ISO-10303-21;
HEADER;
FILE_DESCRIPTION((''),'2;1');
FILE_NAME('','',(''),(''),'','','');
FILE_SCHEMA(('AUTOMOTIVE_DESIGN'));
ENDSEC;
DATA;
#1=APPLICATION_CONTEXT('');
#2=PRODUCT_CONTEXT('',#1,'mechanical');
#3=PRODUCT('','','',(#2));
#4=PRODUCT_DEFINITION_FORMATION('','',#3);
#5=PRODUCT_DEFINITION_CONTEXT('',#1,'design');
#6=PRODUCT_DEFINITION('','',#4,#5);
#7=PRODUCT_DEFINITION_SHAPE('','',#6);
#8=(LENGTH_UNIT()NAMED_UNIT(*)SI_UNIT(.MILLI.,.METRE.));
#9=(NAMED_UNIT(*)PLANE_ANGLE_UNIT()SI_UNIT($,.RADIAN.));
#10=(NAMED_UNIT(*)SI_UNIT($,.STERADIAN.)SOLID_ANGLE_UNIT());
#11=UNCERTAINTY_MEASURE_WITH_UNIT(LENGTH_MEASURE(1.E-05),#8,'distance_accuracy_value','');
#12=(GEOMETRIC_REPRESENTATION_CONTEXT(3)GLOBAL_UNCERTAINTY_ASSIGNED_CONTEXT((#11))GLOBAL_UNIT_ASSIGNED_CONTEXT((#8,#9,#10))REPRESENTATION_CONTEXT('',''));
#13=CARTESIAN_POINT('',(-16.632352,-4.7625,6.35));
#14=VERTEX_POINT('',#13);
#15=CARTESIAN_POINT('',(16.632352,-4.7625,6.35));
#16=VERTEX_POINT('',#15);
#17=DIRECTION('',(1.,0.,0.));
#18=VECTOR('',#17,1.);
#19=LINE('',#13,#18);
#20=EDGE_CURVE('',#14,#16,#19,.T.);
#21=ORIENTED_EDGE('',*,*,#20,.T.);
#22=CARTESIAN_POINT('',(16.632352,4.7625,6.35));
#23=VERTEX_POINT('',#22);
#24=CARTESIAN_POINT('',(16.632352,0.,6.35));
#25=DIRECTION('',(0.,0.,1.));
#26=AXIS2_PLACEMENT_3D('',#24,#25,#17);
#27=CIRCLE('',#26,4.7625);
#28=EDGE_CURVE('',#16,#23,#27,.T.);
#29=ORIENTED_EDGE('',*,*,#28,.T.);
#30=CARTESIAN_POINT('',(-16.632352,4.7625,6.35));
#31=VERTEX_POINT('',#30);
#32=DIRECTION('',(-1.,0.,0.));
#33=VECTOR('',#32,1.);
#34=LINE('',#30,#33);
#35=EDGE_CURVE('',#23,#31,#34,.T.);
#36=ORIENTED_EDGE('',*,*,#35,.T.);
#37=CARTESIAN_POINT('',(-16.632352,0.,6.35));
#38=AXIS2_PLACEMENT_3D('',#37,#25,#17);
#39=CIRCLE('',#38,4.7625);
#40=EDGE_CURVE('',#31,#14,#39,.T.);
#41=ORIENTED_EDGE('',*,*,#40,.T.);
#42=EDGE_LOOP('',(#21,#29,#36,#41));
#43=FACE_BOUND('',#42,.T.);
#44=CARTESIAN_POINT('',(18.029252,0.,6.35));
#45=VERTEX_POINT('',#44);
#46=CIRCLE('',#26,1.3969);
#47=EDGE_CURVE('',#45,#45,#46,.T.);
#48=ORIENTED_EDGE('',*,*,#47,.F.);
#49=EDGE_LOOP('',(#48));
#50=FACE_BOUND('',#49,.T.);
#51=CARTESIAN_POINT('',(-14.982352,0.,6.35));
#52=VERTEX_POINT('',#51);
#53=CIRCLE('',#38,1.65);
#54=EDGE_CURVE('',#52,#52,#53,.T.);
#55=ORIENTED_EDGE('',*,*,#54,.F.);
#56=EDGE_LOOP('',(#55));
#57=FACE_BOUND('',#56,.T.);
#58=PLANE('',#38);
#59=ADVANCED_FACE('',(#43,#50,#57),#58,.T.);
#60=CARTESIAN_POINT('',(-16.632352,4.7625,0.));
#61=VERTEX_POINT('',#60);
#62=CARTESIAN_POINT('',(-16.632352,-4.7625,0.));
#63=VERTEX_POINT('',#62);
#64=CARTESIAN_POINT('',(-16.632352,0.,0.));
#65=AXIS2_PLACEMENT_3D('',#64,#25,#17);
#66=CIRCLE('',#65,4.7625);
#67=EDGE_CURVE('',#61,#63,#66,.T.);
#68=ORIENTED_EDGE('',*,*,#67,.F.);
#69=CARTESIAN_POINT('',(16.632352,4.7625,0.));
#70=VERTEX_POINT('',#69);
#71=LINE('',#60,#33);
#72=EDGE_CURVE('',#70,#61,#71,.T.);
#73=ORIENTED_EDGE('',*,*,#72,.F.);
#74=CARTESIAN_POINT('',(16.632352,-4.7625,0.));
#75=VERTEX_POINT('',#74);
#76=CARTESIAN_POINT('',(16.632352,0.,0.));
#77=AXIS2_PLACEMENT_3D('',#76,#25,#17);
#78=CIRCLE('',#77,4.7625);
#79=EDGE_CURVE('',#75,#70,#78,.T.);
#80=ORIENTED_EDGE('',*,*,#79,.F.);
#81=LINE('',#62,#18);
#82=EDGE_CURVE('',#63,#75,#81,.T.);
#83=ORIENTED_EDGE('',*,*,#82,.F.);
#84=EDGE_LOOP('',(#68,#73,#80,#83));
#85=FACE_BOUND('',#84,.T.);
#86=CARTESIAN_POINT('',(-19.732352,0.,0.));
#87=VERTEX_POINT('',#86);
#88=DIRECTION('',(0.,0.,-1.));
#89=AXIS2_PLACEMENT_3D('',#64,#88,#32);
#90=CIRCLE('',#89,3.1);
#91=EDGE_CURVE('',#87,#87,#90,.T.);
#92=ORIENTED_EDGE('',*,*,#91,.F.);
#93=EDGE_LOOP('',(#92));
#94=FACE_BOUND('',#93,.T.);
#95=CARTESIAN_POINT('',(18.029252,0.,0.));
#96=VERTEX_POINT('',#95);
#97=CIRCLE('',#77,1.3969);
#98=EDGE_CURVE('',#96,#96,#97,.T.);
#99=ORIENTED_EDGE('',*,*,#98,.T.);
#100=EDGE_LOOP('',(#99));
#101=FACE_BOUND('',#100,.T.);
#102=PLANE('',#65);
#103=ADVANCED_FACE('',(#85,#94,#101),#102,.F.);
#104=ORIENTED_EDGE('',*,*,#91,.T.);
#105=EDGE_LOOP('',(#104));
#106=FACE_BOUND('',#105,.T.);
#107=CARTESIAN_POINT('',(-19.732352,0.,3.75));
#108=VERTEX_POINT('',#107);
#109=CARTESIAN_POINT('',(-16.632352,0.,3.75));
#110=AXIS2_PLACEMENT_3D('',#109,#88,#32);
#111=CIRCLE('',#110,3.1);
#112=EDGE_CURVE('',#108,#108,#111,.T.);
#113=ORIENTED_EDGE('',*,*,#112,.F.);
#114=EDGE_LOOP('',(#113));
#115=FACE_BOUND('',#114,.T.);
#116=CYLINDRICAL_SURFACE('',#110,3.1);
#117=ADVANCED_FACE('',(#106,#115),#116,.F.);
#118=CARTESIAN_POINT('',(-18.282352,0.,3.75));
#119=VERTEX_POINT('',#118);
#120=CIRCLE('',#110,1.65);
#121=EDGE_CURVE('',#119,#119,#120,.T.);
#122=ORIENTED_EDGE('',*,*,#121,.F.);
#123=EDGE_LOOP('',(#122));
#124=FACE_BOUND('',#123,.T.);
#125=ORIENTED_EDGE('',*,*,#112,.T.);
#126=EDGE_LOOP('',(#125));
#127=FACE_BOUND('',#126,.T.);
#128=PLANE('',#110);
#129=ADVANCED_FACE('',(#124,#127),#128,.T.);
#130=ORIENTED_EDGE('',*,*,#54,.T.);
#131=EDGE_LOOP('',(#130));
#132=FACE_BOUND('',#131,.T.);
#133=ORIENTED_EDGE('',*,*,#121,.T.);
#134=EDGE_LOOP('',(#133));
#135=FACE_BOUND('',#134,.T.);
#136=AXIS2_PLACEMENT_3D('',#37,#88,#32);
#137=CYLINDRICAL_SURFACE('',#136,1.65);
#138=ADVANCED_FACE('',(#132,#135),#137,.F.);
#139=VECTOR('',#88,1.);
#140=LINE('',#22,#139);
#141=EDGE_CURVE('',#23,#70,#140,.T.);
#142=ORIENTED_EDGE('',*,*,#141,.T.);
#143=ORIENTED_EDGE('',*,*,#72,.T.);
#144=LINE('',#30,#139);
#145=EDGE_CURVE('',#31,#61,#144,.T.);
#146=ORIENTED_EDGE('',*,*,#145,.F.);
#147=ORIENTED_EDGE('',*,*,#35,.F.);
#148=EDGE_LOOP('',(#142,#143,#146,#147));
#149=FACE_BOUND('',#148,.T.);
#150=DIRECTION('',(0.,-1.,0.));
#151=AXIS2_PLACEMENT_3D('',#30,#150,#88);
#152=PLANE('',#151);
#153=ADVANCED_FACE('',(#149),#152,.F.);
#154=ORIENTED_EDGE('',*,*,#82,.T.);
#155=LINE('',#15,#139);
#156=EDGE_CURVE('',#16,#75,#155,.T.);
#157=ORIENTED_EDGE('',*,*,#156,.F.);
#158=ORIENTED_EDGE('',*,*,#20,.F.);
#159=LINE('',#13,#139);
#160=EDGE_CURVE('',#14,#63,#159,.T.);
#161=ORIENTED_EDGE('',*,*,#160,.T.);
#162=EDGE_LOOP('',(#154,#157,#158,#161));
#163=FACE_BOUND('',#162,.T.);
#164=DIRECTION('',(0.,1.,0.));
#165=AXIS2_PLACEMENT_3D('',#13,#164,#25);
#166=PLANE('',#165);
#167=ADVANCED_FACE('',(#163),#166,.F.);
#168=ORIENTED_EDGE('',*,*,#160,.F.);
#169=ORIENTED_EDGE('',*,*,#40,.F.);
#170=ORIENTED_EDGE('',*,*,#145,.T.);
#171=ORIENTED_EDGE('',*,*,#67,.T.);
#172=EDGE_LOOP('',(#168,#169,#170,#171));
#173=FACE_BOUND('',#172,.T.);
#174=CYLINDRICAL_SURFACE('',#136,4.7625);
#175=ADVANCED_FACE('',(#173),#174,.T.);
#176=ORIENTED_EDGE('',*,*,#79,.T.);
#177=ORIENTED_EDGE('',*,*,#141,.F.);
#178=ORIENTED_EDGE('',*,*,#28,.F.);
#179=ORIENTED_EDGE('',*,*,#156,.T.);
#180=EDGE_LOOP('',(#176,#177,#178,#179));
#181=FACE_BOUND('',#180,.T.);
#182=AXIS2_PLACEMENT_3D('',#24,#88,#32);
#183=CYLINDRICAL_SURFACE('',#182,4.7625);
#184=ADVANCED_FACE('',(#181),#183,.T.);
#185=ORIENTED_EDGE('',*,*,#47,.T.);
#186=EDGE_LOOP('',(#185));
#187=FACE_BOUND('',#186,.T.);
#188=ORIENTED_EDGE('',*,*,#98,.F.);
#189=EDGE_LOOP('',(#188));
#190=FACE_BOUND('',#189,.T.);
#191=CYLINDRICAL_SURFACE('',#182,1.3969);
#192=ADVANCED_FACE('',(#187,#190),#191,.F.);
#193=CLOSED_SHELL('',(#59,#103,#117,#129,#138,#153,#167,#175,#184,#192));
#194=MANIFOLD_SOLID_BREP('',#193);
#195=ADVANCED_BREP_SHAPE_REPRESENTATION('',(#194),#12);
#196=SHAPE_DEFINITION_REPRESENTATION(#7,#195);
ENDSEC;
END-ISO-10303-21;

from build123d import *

# Parameters (mm, degrees)
SKETCH1_R           = 1.3969
SKETCH1_R_2         = 1.65
BOSS_EXTRUDE1_DEPTH = 6.35
SKETCH2_R           = 3.1
CUT_EXTRUDE1_DEPTH  = 3.75000012


with BuildPart() as part:
    # Sketch1 → Boss-Extrude1 (new body)
    with BuildSketch(Plane.XY):
        with BuildLine():
            Line((-16.632351927, 4.7625), (16.632351927, 4.7625))
            ThreePointArc((16.632351927, 4.7625), (21.394851927, 0), (16.632351927, -4.7625))
            Line((16.632351927, -4.7625), (-16.632351927, -4.7625))
            ThreePointArc((-16.632351927, -4.7625), (-21.394851927, 0), (-16.632351927, 4.7625))
        make_face()
        with Locations((16.632351927, 0)):
            Circle(SKETCH1_R, mode=Mode.SUBTRACT)
        with Locations((-16.632351927, 0)):
            Circle(SKETCH1_R_2, mode=Mode.SUBTRACT)
    extrude(amount=BOSS_EXTRUDE1_DEPTH)

    # Sketch2 → Cut-Extrude1 (cut)
    with BuildSketch(Plane(origin=(0, 0, 0), x_dir=(-1, 0, 0), z_dir=(0, 0, -1))):
        with Locations((16.632351927, 0)):
            Circle(SKETCH2_R)
    extrude(amount=-CUT_EXTRUDE1_DEPTH, mode=Mode.SUBTRACT)


solid = part.part
